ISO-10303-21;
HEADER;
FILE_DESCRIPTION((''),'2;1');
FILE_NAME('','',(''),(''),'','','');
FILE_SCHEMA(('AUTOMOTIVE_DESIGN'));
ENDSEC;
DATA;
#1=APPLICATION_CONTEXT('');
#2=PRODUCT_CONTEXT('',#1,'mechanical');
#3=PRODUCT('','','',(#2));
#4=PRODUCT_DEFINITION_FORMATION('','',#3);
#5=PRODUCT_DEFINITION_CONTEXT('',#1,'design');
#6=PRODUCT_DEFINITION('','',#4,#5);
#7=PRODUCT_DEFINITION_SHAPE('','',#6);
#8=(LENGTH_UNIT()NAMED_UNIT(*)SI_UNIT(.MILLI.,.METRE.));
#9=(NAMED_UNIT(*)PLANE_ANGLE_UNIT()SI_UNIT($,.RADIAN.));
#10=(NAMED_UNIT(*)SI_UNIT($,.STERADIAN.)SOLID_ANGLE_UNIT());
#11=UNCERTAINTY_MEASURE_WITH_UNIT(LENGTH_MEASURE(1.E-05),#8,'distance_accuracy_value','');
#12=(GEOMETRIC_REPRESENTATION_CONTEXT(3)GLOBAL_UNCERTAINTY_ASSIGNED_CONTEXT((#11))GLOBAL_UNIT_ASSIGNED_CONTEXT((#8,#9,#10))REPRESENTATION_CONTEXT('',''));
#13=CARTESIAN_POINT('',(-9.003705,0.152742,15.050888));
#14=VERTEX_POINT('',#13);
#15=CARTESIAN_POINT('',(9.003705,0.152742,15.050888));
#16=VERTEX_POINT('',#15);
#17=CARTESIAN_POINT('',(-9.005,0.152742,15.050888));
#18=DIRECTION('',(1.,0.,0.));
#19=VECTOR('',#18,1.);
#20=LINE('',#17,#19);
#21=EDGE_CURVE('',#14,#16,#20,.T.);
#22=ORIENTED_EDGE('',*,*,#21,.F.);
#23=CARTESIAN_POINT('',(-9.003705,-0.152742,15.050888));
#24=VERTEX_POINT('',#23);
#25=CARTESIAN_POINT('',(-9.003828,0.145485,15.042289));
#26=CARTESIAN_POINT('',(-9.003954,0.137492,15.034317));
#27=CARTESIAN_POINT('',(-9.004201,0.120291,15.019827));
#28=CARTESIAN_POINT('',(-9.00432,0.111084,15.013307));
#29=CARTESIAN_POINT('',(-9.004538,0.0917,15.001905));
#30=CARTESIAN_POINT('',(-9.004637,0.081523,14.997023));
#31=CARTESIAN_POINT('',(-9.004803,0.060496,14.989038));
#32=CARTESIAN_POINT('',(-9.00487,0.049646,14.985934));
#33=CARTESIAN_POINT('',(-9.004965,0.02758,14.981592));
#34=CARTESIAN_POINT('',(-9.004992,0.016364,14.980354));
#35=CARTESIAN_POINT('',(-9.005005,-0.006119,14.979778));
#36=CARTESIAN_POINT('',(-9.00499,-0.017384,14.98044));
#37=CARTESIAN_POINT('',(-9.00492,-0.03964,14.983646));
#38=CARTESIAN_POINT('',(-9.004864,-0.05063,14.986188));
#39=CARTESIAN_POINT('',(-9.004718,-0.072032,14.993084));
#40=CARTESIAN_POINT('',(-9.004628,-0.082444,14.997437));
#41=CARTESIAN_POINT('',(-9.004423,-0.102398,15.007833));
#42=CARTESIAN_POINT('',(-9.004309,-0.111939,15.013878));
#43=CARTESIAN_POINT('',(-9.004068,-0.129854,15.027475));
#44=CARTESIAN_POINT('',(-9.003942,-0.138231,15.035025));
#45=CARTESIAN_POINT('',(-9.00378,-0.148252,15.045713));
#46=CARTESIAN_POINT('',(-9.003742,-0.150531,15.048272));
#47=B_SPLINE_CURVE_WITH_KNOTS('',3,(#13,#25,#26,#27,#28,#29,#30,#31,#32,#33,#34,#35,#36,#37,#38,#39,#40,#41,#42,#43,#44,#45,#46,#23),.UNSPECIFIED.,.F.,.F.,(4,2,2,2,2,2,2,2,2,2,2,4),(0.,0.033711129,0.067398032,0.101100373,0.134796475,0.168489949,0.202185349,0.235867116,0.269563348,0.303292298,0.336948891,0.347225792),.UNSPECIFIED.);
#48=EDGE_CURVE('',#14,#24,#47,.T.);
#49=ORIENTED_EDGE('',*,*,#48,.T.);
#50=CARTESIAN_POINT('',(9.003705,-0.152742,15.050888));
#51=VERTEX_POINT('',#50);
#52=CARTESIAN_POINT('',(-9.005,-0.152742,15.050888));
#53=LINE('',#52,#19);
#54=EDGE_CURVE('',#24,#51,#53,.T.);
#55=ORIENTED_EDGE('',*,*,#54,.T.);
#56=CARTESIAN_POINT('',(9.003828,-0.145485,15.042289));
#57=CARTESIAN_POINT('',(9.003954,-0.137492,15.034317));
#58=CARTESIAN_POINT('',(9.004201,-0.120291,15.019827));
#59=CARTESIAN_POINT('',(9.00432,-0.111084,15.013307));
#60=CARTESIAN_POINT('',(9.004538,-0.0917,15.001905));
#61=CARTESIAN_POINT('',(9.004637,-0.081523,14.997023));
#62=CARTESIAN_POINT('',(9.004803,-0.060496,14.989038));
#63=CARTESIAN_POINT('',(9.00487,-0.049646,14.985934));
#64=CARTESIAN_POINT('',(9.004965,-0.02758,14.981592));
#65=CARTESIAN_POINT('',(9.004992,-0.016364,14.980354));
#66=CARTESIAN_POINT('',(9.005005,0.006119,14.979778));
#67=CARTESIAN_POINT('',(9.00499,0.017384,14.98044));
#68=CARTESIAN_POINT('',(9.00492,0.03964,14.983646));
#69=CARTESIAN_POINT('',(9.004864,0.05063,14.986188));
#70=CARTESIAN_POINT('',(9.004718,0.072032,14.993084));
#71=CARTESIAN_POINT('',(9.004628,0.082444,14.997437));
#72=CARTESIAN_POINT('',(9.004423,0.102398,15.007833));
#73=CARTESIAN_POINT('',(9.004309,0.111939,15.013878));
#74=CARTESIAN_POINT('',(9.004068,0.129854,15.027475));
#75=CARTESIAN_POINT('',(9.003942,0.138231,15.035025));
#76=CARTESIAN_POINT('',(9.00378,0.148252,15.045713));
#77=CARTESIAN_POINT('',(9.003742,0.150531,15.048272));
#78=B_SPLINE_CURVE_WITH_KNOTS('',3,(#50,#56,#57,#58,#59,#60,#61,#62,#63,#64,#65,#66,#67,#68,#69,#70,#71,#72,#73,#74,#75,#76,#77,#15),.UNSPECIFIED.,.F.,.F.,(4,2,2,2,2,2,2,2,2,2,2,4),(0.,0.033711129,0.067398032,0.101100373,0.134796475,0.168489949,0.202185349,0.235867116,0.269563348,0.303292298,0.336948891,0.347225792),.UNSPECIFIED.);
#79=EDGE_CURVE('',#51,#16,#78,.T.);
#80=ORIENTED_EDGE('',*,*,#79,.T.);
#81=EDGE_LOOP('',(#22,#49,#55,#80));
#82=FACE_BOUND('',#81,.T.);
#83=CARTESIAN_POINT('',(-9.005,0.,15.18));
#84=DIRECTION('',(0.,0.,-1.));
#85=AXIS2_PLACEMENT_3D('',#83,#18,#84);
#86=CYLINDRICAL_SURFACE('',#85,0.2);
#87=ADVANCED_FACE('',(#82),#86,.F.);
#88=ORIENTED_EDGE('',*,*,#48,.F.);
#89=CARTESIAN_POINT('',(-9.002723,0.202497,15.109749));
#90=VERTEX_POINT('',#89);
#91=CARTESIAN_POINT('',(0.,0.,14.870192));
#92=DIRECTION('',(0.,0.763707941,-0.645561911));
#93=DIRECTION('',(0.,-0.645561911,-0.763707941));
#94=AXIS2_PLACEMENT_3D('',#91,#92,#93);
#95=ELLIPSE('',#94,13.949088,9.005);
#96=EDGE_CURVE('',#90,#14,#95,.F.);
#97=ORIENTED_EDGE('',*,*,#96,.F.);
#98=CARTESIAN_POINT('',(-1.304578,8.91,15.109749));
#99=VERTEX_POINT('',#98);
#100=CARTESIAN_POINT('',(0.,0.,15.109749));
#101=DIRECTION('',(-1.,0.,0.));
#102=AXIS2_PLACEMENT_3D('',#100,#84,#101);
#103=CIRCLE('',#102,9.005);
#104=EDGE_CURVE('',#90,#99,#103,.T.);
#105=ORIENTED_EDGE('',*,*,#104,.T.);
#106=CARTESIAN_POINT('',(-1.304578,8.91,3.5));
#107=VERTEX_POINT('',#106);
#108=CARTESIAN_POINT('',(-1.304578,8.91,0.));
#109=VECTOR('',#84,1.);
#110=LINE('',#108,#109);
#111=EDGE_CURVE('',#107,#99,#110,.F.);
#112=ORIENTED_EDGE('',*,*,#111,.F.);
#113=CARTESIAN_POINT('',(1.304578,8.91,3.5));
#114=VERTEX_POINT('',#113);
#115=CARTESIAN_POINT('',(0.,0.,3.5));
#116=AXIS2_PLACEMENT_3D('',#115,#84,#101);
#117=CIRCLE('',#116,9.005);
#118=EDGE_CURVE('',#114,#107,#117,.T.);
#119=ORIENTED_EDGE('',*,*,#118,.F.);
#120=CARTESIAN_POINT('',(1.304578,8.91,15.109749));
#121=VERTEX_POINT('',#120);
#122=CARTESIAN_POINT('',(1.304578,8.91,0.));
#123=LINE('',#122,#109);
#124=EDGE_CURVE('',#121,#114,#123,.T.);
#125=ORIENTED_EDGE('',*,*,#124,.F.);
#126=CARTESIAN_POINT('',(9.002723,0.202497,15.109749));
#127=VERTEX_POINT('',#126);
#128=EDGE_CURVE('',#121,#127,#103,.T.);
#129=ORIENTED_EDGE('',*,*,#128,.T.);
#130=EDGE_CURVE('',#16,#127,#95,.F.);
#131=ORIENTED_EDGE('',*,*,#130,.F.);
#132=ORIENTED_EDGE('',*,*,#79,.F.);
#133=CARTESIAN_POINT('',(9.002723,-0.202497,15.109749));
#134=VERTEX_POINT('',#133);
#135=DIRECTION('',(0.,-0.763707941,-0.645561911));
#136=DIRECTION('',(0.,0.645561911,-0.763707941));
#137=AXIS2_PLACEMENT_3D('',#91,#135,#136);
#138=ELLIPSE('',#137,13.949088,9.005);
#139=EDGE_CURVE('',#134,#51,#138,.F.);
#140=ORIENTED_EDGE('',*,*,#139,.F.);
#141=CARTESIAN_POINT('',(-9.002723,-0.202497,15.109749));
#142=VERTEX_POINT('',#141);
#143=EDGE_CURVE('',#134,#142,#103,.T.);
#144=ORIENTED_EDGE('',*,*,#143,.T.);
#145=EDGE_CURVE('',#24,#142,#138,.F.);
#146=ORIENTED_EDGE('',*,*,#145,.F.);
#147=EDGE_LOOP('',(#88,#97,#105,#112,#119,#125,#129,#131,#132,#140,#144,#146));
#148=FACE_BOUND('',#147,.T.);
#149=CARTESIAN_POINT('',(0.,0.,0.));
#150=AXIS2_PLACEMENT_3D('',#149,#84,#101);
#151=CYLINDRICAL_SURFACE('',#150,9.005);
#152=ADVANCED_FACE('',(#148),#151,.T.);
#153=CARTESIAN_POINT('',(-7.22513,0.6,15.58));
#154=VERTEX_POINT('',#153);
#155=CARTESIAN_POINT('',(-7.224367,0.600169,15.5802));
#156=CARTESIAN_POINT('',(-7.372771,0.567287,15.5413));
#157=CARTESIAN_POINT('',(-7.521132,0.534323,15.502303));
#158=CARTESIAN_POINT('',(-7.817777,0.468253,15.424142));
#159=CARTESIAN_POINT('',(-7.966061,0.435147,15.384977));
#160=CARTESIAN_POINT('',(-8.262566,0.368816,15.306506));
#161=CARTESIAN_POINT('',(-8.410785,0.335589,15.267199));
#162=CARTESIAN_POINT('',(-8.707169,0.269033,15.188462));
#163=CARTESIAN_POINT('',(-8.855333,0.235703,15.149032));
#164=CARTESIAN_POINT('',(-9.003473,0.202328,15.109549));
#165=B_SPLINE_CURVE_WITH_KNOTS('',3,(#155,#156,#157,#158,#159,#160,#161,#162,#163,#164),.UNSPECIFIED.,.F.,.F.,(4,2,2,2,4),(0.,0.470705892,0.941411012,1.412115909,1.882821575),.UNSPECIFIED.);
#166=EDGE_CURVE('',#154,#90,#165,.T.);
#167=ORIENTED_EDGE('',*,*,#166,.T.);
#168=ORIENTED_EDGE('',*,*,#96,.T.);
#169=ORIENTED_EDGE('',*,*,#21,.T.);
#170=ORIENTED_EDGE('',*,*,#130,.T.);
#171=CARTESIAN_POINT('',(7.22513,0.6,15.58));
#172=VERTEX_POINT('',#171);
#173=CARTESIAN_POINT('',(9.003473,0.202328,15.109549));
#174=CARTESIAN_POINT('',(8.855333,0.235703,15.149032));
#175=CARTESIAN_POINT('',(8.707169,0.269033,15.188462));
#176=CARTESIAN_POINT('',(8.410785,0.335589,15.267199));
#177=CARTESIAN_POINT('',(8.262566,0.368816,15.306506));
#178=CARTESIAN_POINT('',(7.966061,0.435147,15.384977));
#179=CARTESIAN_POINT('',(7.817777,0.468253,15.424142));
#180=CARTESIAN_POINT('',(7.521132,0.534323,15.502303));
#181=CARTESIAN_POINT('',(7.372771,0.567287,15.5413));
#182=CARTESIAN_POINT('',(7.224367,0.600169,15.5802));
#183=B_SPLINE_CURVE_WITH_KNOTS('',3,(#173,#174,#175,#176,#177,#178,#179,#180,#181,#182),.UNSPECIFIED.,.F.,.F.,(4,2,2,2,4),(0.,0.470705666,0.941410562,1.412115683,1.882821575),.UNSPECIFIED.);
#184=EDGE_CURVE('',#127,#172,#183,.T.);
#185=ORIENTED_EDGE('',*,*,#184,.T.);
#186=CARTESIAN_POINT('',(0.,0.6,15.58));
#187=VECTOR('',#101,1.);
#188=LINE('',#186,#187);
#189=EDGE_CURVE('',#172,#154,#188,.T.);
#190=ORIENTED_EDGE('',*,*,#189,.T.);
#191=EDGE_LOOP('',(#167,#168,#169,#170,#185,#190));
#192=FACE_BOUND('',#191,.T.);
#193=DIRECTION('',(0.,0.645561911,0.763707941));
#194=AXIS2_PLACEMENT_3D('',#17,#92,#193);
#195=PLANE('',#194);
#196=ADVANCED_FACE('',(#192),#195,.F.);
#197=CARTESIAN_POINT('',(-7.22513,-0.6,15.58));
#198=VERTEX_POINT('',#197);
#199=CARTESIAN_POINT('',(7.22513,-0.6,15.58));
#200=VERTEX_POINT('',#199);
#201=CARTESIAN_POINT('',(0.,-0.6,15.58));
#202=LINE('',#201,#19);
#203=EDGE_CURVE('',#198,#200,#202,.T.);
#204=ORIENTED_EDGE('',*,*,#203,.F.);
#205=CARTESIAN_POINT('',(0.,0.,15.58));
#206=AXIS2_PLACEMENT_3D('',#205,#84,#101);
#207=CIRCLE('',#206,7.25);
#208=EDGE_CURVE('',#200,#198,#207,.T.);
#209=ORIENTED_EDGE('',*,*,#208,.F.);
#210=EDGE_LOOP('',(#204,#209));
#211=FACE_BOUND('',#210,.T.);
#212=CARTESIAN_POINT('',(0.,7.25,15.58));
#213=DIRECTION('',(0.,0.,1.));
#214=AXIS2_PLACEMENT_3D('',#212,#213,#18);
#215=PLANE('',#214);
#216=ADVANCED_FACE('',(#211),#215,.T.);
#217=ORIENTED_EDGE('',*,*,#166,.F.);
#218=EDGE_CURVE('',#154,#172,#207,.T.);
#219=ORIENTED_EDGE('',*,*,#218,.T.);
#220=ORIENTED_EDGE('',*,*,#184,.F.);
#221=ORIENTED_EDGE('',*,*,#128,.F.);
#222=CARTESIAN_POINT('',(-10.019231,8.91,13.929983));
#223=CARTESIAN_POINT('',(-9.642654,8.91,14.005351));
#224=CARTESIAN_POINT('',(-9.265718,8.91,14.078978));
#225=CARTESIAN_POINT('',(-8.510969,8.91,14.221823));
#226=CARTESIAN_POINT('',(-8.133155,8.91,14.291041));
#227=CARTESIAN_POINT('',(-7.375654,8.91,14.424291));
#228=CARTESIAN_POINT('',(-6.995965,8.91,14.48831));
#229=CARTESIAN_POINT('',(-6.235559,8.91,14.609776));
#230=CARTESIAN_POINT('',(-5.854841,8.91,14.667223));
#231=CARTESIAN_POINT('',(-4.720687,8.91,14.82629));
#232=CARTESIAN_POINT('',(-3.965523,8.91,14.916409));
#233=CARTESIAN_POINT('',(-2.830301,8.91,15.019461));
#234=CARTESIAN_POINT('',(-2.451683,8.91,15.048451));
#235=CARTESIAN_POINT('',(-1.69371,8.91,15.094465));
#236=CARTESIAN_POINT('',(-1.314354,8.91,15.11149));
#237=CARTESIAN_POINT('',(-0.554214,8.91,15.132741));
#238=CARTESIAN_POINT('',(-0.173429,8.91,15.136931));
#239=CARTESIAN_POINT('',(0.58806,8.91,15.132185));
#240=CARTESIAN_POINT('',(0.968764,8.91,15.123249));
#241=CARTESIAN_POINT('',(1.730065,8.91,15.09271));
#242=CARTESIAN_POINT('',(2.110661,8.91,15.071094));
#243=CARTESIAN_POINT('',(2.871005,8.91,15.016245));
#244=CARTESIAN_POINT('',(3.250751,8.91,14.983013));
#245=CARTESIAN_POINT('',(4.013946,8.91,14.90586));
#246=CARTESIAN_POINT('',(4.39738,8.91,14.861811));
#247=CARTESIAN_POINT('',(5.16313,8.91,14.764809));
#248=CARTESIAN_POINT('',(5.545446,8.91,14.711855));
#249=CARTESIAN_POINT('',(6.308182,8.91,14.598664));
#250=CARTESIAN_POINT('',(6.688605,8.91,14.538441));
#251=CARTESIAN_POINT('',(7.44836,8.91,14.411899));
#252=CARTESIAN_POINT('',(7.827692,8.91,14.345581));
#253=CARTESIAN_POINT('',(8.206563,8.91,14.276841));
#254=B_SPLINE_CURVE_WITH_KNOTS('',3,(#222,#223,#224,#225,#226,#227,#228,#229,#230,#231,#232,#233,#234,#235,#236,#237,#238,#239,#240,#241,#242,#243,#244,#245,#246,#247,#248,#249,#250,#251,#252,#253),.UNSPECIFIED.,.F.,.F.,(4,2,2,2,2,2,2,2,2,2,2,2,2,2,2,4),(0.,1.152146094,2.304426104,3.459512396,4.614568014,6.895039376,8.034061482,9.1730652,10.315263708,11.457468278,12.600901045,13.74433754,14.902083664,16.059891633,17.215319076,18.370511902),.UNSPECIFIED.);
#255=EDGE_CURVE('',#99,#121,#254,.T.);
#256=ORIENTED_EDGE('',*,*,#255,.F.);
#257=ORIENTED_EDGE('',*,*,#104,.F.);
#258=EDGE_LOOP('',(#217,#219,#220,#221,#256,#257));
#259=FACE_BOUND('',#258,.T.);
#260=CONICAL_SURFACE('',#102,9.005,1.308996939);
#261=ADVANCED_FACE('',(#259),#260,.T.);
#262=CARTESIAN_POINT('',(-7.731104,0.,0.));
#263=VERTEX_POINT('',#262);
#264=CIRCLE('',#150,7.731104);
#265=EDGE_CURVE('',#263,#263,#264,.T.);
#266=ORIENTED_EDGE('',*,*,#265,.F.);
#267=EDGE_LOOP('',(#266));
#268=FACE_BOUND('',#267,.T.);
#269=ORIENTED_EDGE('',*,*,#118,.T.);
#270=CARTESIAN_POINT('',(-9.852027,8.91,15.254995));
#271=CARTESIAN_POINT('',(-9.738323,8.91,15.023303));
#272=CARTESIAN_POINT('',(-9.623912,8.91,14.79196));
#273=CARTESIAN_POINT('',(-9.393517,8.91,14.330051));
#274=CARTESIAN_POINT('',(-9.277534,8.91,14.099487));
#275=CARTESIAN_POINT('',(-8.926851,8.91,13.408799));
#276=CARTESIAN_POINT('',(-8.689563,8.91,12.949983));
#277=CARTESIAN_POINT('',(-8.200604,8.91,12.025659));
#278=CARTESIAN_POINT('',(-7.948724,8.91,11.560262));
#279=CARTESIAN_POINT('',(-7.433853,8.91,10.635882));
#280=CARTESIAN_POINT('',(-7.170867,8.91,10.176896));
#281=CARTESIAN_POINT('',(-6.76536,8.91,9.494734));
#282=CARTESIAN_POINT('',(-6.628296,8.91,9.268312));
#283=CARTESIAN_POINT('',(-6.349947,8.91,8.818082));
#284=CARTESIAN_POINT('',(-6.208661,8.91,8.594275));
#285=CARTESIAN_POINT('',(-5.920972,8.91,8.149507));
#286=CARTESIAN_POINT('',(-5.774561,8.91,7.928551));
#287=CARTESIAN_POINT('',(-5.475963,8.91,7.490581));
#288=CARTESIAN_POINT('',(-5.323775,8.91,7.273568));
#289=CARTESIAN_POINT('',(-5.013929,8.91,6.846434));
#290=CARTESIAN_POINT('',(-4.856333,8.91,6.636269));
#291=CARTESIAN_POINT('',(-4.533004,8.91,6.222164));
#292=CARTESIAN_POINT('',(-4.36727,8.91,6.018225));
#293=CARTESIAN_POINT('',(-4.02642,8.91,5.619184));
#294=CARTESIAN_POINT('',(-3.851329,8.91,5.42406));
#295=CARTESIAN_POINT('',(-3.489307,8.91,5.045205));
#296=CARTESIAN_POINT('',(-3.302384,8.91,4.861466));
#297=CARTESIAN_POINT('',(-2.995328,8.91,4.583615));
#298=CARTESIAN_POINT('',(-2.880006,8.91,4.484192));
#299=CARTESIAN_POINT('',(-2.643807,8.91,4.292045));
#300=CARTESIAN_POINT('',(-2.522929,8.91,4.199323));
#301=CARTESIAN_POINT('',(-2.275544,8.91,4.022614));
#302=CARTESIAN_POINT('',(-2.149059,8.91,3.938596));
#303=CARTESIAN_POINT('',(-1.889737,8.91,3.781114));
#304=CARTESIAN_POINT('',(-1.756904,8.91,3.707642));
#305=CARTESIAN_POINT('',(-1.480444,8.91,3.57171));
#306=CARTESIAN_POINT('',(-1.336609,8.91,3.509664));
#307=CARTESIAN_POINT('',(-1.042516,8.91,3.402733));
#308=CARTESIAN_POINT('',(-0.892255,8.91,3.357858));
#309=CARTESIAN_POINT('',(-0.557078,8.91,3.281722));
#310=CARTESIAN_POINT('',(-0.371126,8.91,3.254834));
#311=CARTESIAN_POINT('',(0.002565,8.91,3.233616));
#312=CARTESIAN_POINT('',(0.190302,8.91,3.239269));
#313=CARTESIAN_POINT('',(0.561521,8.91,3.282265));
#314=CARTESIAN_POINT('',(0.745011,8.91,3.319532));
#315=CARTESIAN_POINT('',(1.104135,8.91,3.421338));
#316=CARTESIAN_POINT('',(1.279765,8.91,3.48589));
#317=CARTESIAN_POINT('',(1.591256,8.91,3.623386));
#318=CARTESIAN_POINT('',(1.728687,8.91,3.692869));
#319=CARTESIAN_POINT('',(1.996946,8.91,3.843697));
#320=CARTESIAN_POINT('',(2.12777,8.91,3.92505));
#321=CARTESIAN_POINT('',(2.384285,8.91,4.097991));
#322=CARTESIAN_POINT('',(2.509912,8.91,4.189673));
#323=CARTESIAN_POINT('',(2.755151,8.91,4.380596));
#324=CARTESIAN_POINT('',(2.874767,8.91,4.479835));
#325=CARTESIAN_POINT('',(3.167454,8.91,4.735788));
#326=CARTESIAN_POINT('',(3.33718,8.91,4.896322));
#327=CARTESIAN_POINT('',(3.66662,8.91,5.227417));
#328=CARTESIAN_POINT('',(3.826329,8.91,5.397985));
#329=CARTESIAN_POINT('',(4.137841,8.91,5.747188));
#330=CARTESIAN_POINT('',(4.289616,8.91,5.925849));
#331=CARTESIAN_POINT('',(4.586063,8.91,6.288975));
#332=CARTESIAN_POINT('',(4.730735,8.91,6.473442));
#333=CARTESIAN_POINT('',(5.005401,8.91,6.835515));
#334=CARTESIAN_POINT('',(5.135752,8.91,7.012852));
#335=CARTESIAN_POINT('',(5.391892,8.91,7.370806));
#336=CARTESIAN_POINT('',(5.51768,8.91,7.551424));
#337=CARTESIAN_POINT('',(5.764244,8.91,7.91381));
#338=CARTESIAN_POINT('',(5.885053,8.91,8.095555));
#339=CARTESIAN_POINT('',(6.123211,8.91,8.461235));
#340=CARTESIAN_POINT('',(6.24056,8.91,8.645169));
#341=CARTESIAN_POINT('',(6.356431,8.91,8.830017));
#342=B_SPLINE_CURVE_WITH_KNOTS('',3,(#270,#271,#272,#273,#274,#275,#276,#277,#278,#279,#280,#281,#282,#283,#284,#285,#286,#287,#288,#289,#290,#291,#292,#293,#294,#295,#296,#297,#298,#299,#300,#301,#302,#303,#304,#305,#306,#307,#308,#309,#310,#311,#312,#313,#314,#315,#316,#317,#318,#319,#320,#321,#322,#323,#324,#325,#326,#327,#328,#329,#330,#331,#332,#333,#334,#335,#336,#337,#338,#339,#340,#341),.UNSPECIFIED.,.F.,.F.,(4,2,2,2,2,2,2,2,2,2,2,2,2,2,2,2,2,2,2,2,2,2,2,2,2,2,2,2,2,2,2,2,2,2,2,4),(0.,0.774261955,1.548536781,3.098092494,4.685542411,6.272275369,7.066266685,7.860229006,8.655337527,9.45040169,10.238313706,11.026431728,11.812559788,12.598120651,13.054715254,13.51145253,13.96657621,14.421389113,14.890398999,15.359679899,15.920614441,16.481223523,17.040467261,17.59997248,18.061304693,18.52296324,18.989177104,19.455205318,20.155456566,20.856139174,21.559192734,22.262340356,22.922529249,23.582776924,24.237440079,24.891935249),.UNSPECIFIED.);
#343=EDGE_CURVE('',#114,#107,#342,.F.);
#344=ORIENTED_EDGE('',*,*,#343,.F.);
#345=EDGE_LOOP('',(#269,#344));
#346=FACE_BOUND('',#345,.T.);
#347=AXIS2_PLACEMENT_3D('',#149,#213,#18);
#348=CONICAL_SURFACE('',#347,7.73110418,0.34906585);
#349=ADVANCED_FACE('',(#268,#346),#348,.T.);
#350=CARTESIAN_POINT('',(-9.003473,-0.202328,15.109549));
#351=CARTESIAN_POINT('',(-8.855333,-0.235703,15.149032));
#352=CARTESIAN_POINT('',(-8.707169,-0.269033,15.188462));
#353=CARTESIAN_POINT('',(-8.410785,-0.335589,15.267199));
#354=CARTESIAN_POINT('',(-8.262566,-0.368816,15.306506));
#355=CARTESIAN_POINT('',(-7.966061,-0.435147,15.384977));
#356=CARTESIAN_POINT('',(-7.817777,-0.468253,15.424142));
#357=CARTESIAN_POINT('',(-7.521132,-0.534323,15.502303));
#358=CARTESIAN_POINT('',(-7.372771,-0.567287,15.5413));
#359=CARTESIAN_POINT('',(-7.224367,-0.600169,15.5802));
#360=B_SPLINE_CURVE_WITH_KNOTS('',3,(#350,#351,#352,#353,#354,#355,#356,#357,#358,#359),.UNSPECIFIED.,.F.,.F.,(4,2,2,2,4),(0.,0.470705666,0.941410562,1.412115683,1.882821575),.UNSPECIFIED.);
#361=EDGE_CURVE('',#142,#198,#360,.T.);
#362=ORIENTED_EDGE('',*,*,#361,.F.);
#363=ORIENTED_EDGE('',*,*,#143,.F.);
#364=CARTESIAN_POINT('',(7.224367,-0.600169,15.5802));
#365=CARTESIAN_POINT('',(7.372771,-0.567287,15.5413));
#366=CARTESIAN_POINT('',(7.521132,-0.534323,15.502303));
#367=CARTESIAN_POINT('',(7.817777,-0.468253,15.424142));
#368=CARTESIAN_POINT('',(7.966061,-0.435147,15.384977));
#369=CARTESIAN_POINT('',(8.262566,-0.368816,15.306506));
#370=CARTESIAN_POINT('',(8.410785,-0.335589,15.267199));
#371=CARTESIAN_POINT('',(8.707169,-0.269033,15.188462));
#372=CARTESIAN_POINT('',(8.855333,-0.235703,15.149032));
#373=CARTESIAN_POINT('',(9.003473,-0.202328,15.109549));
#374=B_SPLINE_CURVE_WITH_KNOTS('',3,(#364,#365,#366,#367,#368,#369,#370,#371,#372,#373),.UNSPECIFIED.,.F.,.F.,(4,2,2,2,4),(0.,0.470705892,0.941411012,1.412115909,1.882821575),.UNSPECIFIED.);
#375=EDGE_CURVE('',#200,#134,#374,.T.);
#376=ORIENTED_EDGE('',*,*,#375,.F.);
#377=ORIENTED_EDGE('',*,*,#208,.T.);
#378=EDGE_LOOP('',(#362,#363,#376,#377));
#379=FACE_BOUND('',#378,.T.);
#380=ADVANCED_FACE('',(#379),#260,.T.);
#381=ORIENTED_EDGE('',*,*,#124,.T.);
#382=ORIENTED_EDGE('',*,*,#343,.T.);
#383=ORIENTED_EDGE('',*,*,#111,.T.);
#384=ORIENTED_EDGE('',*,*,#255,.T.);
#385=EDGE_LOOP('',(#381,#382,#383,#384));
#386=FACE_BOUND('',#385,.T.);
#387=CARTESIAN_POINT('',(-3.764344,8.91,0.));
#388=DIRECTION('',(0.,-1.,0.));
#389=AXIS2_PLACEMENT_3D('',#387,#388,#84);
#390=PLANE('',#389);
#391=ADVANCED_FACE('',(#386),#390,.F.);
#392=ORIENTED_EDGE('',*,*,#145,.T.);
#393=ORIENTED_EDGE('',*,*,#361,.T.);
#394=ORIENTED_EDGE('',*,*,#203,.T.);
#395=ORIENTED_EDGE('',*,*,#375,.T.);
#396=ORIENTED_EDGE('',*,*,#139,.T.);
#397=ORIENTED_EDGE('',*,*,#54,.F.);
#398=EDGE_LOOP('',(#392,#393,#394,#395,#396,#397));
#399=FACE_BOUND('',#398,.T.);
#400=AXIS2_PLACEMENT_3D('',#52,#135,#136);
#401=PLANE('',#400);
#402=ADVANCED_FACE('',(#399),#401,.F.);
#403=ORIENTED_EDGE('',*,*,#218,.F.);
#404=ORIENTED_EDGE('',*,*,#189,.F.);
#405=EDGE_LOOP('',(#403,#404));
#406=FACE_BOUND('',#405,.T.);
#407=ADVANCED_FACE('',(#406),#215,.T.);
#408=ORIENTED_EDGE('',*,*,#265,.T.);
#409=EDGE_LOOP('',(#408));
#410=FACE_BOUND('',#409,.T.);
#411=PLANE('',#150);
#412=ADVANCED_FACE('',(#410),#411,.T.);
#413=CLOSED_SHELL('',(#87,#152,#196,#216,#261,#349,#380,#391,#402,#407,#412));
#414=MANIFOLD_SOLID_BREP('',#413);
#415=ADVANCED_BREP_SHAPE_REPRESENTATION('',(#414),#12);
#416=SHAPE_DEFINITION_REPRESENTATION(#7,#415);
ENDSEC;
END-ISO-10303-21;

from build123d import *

# Parameters (mm, degrees)
EXTRUDE2_DEPTH      = 21.122535874
EXTRUDE2_DEPTH_BACK = 21.122535874
SKETCH3_W           = 7.52868736
SKETCH3_H           = 2
EXTRUDE3_DEPTH      = 21.122535963


with BuildPart() as part:
    # Sketch1 → Revolve1 (revolve)
    with BuildSketch(Plane(origin=(0, 0, 0), x_dir=(0, 0, -1), z_dir=(1, 0, 0)), mode=Mode.PRIVATE) as revolve1_sk:
        Polygon((0, 0), (0, 7.73110418), (-3.5, 9.005), (-15.109749167, 9.005), (-15.58, 7.25), (-15.58, 0), align=None)
    revolve(revolve1_sk.sketch.rotate(Axis((0, 0, 0), (0, 0, 1)), 90), axis=Axis((0, 0, 0), (0, 0, 1)))

    # Sketch2 → Extrude2 (cut, two sides: drawn at the far end of the back side and taken through both)
    with BuildSketch(Plane(origin=(0, 0, 0), x_dir=(0, -1, 0), z_dir=(1, 0, 0)).offset(-EXTRUDE2_DEPTH_BACK)):
        with BuildLine():
            Line((-0.152741588, -15.050887618), (-0.6, -15.58))
            Line((-0.6, -15.58), (0.6, -15.58))
            Line((0.6, -15.58), (0.152741588, -15.050887618))
            ThreePointArc((0.152741588, -15.050887618), (0, -14.98), (-0.152741588, -15.050887618))
        make_face()
    extrude(amount=EXTRUDE2_DEPTH + EXTRUDE2_DEPTH_BACK, mode=Mode.SUBTRACT)

    # Sketch3 → Extrude3 (cut, through all)
    with BuildSketch(Plane.XY.offset(15.58)):
        with Locations((0, 9.91)):
            Rectangle(SKETCH3_W, SKETCH3_H)
    extrude(amount=-EXTRUDE3_DEPTH, mode=Mode.SUBTRACT)


solid = part.part
